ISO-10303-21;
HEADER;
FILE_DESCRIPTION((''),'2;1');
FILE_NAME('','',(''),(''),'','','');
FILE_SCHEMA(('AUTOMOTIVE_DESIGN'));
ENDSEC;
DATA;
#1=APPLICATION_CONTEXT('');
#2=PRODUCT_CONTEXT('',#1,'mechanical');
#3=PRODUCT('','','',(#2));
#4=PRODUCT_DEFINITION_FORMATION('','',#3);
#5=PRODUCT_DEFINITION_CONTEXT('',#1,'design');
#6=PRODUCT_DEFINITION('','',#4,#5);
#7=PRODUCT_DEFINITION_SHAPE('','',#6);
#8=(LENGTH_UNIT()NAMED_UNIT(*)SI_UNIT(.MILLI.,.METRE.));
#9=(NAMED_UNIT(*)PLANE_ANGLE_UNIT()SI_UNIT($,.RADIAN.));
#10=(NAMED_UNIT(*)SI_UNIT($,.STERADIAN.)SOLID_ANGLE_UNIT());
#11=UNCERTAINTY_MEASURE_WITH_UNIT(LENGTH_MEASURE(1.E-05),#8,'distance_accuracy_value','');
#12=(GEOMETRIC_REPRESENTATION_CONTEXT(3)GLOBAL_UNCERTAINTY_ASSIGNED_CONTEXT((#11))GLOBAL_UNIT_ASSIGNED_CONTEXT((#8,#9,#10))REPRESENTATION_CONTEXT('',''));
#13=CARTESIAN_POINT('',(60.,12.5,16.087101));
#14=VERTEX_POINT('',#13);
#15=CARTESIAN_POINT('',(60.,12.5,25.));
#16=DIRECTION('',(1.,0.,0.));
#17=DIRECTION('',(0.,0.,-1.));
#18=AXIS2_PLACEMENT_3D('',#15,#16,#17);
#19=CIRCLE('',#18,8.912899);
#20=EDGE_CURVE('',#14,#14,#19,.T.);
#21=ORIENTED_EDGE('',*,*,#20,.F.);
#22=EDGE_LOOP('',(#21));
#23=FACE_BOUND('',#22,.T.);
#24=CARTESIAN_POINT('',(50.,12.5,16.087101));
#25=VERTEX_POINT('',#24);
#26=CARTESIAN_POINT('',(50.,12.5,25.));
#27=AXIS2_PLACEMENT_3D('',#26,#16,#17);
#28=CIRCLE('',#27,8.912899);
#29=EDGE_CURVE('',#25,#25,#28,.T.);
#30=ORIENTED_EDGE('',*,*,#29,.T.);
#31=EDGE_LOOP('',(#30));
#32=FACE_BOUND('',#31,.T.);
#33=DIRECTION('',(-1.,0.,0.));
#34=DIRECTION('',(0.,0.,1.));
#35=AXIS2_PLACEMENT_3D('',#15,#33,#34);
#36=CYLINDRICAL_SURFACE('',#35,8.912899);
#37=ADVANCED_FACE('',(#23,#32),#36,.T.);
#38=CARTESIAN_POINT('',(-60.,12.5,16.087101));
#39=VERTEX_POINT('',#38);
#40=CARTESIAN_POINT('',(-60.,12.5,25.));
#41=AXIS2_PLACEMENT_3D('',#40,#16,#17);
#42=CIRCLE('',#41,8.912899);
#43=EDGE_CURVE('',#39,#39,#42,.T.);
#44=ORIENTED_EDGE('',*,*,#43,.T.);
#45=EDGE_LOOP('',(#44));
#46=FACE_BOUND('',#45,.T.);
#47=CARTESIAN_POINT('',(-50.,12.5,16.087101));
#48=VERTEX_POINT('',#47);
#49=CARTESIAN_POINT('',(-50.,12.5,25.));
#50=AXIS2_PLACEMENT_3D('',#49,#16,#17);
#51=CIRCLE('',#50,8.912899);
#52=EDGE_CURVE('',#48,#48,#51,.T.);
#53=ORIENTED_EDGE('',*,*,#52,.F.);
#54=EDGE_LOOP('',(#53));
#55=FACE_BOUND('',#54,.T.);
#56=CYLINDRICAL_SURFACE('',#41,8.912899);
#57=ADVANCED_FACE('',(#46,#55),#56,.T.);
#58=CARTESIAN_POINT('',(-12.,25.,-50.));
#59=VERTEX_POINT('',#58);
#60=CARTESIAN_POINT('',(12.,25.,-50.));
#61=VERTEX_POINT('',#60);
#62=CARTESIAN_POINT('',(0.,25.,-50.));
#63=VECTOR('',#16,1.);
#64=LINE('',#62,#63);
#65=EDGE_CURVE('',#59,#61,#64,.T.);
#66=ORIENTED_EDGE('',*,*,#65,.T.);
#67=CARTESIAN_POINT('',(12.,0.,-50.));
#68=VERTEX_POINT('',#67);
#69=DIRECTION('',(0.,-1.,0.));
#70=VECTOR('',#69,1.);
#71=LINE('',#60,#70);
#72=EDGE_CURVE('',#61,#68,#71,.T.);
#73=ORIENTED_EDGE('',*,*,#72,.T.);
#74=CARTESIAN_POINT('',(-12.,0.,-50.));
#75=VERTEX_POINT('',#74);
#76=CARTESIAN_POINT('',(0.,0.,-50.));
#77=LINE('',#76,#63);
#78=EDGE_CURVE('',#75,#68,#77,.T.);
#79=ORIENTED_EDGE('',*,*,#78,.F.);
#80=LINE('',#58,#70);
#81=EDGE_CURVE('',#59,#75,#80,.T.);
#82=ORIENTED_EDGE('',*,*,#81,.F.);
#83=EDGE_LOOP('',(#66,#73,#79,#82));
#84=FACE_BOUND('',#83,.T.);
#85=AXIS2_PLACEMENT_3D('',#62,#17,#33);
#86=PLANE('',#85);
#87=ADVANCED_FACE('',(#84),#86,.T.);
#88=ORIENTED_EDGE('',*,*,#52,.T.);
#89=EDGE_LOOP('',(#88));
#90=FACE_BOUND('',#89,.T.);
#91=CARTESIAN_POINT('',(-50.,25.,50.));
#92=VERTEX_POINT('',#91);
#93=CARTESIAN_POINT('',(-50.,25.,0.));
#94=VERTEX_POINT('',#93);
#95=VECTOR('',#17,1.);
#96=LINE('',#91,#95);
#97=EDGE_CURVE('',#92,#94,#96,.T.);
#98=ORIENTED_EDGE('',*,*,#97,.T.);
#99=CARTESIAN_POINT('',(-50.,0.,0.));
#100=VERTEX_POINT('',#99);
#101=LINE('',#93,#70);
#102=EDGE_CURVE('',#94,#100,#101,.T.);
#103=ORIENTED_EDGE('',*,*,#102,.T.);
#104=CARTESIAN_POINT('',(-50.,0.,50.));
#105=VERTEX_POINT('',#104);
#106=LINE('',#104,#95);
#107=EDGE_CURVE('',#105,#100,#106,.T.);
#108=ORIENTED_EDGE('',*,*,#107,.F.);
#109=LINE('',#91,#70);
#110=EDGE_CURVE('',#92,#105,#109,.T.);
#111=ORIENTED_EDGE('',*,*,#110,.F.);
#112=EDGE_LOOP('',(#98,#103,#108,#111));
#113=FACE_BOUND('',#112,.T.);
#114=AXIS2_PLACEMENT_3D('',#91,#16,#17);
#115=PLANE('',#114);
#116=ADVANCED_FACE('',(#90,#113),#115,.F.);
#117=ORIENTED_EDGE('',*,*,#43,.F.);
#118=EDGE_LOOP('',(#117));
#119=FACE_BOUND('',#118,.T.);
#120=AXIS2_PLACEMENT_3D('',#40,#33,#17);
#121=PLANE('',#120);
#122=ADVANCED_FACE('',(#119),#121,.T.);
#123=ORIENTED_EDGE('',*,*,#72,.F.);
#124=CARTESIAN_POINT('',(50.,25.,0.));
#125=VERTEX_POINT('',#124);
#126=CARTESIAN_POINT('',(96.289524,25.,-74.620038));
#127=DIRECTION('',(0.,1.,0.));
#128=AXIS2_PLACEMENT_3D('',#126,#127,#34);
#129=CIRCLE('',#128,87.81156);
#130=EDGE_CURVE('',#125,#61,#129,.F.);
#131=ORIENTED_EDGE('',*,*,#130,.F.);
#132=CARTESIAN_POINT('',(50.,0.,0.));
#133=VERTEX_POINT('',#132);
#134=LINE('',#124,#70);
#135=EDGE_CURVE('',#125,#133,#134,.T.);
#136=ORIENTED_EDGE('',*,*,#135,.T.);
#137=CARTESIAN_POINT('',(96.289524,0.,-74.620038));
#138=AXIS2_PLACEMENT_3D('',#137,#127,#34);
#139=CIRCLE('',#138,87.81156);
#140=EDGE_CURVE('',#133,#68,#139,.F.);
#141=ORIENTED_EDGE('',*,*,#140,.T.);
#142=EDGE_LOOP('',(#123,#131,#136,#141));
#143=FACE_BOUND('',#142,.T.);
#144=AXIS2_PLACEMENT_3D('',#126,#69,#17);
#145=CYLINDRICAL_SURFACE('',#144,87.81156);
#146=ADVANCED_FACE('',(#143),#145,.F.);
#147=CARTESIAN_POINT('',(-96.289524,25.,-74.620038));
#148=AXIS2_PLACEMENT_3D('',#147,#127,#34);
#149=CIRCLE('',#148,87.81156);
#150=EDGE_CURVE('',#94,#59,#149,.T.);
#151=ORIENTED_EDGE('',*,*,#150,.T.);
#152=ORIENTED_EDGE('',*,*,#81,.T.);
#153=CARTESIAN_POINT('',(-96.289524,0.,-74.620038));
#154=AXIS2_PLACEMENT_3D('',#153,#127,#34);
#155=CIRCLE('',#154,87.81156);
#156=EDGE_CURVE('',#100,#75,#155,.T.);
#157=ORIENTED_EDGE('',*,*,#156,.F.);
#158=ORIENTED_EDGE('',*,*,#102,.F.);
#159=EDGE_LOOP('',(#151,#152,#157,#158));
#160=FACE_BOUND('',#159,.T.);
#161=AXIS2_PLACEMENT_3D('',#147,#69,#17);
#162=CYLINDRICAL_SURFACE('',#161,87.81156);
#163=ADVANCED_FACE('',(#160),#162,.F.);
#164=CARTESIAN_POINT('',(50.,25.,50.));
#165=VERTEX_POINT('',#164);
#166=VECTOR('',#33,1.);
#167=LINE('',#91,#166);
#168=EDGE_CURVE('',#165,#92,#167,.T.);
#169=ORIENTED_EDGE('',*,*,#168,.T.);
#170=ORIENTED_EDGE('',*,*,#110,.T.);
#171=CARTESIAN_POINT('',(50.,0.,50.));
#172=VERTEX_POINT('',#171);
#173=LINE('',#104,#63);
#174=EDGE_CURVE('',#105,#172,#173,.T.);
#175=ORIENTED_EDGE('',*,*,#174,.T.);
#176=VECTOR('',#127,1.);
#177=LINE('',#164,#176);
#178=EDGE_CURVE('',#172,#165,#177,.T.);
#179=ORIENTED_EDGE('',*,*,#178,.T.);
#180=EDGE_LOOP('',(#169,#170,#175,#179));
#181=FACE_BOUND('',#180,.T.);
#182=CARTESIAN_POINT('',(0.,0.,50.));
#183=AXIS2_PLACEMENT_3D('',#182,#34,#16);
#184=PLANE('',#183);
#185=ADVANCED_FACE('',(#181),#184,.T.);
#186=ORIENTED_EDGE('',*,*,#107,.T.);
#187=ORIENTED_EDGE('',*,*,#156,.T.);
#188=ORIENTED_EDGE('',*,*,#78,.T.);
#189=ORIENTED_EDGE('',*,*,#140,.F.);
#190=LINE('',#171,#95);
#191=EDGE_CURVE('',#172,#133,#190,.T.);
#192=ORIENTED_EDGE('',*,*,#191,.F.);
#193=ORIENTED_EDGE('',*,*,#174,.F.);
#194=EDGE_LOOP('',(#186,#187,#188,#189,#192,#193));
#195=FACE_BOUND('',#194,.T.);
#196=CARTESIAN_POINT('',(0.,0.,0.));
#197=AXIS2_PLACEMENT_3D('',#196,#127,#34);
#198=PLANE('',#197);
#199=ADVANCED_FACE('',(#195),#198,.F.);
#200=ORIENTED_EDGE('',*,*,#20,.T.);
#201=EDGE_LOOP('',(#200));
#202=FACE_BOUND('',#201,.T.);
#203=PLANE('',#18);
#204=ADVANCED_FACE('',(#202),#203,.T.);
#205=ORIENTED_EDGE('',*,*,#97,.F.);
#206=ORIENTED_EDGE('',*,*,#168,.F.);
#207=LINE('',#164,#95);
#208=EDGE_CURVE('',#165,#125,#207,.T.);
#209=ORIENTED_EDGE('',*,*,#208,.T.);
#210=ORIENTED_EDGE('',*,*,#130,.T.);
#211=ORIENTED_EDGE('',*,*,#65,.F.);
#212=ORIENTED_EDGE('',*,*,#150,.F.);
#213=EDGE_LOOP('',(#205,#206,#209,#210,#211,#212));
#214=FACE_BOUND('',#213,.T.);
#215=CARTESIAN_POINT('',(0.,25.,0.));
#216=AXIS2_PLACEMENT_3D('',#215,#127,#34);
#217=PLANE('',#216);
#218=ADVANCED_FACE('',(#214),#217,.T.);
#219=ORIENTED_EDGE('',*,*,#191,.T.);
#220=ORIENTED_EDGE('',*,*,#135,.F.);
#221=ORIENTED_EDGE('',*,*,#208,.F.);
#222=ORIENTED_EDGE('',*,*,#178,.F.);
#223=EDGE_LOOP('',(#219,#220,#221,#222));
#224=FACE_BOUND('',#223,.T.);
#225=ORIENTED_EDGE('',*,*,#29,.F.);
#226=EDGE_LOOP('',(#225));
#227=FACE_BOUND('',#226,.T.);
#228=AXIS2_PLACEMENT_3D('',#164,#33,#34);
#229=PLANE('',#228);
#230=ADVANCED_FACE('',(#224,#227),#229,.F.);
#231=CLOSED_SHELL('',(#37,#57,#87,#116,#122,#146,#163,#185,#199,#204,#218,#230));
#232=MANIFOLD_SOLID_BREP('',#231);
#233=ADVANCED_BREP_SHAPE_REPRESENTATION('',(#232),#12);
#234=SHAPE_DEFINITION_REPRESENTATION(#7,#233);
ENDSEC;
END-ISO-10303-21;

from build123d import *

# Parameters (mm, degrees)
SALIENTE_EXTRUIR1_DEPTH = 25
CROQUIS2_W              = 100
CROQUIS2_H              = 25
SALIENTE_EXTRUIR2_DEPTH = 50
CROQUIS3_R              = 8.912899487
SALIENTE_EXTRUIR3_DEPTH = 10


with BuildPart() as part:
    # Croquis1 → Saliente-Extruir1 (new body)
    with BuildSketch(Plane(origin=(0, 0, 0), x_dir=(1, 0, 0), z_dir=(0, 1, 0))):
        with BuildLine():
            Line((-50, 0), (50, 0))
            ThreePointArc((50, 0), (26.377279403, 21.486732346), (12, 50))
            Line((12, 50), (-12, 50))
            ThreePointArc((-12, 50), (-26.377279403, 21.486732346), (-50, 0))
        make_face()
    extrude(amount=SALIENTE_EXTRUIR1_DEPTH)

    # Croquis2 → Saliente-Extruir2 (add)
    with BuildSketch(Plane.XY):
        with Locations((0, 12.5)):
            Rectangle(CROQUIS2_W, CROQUIS2_H)
    extrude(amount=SALIENTE_EXTRUIR2_DEPTH)

    # Croquis3 → Saliente-Extruir3 (add)
    with BuildSketch(Plane(origin=(50, 0, 0), x_dir=(0, 0, -1), z_dir=(1, 0, 0))):
        with Locations((-25, 12.5)):
            Circle(CROQUIS3_R)
    saliente_extruir3 = extrude(amount=SALIENTE_EXTRUIR3_DEPTH)

    # Simetría1: Saliente-Extruir3 across plane
    add(saliente_extruir3.mirror(Plane(origin=(0, 0, 0), x_dir=(0, 0, 1), z_dir=(1, 0, 0))))


solid = part.part
